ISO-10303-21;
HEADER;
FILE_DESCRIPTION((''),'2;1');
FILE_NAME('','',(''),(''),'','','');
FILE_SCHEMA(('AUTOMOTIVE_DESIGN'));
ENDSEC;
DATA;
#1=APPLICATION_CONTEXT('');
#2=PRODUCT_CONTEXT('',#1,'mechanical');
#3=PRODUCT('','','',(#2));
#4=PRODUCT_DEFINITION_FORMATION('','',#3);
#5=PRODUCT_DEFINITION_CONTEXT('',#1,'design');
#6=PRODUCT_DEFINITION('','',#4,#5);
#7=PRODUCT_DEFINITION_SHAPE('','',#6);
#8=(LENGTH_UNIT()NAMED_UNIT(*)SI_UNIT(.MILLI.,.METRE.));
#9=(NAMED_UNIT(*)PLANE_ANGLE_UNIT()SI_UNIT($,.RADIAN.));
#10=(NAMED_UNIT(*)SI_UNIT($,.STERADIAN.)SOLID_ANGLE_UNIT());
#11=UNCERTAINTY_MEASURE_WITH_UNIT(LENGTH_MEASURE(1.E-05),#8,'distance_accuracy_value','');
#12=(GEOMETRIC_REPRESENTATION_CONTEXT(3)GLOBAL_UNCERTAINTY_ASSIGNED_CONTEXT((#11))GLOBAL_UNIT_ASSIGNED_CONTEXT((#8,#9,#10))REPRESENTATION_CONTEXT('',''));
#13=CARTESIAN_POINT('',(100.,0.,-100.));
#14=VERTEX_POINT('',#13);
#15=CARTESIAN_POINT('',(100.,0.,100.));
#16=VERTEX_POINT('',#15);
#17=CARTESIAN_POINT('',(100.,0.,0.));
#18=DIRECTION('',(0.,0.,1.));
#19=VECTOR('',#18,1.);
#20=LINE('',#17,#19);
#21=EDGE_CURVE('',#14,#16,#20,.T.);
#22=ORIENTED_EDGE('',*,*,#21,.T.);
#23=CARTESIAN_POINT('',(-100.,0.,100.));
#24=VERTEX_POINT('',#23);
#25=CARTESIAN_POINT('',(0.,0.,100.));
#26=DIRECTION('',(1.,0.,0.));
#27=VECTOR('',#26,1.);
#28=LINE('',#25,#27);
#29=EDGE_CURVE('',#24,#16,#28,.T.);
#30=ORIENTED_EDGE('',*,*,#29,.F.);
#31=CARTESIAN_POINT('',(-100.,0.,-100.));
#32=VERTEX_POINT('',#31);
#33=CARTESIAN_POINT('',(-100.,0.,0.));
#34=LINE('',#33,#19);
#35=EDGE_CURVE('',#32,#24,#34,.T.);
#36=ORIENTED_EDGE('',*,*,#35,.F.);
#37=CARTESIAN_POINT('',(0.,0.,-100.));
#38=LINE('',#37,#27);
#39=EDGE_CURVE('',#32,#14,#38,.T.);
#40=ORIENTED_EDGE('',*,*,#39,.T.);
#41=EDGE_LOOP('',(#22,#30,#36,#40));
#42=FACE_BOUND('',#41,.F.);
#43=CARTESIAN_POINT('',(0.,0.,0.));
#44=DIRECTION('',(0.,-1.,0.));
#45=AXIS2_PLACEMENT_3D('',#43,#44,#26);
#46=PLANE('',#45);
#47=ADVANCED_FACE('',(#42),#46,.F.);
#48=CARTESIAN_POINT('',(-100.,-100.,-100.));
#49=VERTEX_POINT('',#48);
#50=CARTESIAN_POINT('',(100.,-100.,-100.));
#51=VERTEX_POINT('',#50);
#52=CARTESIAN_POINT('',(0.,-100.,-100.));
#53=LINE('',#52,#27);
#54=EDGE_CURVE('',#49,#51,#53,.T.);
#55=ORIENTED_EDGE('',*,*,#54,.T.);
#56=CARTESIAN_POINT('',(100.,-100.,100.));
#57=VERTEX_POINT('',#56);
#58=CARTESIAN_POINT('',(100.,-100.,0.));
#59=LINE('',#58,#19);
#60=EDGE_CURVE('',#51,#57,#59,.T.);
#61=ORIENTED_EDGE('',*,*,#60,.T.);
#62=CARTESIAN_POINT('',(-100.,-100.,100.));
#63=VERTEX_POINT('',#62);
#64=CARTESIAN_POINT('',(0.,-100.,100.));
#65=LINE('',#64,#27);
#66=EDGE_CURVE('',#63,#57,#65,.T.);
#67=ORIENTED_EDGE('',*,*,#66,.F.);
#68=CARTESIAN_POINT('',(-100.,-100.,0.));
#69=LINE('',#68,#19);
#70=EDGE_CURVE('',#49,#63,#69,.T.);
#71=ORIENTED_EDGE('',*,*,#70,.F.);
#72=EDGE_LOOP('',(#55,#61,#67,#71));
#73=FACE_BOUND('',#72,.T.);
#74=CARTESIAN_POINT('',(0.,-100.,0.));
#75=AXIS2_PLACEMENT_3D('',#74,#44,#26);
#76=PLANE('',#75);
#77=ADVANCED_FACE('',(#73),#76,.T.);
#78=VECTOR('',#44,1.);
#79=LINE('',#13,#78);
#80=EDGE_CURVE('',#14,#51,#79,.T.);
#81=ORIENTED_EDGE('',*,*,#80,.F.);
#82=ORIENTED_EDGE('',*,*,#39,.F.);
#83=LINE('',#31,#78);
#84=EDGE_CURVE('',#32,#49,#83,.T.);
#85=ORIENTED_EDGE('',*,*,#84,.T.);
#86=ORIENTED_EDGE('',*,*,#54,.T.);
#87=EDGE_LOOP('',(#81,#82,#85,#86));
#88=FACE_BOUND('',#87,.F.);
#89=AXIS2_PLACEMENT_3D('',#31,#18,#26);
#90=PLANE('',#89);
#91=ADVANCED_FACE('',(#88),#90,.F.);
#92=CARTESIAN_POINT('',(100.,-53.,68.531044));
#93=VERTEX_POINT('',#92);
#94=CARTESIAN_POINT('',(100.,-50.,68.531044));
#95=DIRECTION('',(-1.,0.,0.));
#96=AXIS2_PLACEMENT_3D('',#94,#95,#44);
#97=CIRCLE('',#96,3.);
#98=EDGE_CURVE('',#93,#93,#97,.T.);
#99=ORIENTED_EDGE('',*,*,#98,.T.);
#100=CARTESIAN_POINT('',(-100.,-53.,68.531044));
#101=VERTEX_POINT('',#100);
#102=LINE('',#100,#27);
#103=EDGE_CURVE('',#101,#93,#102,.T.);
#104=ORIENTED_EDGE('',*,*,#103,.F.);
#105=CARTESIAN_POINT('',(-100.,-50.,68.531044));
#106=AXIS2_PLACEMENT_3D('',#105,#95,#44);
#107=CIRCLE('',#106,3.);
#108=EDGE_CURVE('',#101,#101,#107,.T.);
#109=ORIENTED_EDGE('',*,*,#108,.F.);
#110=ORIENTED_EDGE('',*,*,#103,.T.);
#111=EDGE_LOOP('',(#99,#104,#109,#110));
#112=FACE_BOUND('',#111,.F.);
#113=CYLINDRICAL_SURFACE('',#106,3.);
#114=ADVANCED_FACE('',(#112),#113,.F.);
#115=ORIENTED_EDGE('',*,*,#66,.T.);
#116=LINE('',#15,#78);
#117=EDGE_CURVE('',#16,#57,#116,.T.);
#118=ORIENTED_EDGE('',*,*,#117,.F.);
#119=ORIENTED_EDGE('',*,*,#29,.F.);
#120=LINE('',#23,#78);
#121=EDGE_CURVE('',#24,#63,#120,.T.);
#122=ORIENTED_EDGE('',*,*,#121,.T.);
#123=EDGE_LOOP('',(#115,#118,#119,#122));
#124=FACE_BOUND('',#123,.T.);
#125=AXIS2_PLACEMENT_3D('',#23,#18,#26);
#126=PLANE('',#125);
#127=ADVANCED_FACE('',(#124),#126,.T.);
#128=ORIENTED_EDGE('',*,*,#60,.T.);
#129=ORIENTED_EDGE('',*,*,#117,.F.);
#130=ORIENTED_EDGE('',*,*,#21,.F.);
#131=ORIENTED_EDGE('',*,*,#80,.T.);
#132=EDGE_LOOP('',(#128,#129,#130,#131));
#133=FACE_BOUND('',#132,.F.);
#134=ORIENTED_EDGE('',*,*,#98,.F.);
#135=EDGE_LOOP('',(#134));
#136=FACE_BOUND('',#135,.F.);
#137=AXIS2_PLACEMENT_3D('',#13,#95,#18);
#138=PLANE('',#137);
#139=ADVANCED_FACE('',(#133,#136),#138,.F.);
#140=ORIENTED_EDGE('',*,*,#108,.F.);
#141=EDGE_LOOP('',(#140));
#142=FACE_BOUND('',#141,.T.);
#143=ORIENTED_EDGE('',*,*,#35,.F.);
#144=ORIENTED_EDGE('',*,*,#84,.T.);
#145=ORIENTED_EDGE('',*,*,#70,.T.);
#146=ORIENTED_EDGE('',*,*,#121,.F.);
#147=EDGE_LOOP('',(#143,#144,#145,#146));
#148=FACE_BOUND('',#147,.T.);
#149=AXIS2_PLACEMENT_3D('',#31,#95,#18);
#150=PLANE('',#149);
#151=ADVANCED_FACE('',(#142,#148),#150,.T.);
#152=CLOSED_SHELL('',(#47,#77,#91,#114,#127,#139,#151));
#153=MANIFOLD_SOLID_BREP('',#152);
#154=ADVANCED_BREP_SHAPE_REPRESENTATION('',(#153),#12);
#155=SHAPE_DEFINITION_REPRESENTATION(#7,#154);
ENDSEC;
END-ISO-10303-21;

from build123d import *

# Parameters (mm, degrees)
F0_W     = 200
F0_H     = 200
F1_DEPTH = 100
F2_R     = 3
F3_DEPTH = 200


with BuildPart() as f1:
    # F0 (on Front) → F1 (new body)
    with BuildSketch(Plane.XZ):
        Rectangle(F0_W, F0_H)
    extrude(amount=F1_DEPTH)

    # F2 (on face) → F3 (cut)
    with BuildSketch(Plane(origin=(-100, 0, 0), x_dir=(0, -1, 0), z_dir=(-1, 0, 0))):
        with Locations((50, 68.531044)):
            Circle(F2_R)
    extrude(amount=-F3_DEPTH, mode=Mode.SUBTRACT)


solid = f1.part
